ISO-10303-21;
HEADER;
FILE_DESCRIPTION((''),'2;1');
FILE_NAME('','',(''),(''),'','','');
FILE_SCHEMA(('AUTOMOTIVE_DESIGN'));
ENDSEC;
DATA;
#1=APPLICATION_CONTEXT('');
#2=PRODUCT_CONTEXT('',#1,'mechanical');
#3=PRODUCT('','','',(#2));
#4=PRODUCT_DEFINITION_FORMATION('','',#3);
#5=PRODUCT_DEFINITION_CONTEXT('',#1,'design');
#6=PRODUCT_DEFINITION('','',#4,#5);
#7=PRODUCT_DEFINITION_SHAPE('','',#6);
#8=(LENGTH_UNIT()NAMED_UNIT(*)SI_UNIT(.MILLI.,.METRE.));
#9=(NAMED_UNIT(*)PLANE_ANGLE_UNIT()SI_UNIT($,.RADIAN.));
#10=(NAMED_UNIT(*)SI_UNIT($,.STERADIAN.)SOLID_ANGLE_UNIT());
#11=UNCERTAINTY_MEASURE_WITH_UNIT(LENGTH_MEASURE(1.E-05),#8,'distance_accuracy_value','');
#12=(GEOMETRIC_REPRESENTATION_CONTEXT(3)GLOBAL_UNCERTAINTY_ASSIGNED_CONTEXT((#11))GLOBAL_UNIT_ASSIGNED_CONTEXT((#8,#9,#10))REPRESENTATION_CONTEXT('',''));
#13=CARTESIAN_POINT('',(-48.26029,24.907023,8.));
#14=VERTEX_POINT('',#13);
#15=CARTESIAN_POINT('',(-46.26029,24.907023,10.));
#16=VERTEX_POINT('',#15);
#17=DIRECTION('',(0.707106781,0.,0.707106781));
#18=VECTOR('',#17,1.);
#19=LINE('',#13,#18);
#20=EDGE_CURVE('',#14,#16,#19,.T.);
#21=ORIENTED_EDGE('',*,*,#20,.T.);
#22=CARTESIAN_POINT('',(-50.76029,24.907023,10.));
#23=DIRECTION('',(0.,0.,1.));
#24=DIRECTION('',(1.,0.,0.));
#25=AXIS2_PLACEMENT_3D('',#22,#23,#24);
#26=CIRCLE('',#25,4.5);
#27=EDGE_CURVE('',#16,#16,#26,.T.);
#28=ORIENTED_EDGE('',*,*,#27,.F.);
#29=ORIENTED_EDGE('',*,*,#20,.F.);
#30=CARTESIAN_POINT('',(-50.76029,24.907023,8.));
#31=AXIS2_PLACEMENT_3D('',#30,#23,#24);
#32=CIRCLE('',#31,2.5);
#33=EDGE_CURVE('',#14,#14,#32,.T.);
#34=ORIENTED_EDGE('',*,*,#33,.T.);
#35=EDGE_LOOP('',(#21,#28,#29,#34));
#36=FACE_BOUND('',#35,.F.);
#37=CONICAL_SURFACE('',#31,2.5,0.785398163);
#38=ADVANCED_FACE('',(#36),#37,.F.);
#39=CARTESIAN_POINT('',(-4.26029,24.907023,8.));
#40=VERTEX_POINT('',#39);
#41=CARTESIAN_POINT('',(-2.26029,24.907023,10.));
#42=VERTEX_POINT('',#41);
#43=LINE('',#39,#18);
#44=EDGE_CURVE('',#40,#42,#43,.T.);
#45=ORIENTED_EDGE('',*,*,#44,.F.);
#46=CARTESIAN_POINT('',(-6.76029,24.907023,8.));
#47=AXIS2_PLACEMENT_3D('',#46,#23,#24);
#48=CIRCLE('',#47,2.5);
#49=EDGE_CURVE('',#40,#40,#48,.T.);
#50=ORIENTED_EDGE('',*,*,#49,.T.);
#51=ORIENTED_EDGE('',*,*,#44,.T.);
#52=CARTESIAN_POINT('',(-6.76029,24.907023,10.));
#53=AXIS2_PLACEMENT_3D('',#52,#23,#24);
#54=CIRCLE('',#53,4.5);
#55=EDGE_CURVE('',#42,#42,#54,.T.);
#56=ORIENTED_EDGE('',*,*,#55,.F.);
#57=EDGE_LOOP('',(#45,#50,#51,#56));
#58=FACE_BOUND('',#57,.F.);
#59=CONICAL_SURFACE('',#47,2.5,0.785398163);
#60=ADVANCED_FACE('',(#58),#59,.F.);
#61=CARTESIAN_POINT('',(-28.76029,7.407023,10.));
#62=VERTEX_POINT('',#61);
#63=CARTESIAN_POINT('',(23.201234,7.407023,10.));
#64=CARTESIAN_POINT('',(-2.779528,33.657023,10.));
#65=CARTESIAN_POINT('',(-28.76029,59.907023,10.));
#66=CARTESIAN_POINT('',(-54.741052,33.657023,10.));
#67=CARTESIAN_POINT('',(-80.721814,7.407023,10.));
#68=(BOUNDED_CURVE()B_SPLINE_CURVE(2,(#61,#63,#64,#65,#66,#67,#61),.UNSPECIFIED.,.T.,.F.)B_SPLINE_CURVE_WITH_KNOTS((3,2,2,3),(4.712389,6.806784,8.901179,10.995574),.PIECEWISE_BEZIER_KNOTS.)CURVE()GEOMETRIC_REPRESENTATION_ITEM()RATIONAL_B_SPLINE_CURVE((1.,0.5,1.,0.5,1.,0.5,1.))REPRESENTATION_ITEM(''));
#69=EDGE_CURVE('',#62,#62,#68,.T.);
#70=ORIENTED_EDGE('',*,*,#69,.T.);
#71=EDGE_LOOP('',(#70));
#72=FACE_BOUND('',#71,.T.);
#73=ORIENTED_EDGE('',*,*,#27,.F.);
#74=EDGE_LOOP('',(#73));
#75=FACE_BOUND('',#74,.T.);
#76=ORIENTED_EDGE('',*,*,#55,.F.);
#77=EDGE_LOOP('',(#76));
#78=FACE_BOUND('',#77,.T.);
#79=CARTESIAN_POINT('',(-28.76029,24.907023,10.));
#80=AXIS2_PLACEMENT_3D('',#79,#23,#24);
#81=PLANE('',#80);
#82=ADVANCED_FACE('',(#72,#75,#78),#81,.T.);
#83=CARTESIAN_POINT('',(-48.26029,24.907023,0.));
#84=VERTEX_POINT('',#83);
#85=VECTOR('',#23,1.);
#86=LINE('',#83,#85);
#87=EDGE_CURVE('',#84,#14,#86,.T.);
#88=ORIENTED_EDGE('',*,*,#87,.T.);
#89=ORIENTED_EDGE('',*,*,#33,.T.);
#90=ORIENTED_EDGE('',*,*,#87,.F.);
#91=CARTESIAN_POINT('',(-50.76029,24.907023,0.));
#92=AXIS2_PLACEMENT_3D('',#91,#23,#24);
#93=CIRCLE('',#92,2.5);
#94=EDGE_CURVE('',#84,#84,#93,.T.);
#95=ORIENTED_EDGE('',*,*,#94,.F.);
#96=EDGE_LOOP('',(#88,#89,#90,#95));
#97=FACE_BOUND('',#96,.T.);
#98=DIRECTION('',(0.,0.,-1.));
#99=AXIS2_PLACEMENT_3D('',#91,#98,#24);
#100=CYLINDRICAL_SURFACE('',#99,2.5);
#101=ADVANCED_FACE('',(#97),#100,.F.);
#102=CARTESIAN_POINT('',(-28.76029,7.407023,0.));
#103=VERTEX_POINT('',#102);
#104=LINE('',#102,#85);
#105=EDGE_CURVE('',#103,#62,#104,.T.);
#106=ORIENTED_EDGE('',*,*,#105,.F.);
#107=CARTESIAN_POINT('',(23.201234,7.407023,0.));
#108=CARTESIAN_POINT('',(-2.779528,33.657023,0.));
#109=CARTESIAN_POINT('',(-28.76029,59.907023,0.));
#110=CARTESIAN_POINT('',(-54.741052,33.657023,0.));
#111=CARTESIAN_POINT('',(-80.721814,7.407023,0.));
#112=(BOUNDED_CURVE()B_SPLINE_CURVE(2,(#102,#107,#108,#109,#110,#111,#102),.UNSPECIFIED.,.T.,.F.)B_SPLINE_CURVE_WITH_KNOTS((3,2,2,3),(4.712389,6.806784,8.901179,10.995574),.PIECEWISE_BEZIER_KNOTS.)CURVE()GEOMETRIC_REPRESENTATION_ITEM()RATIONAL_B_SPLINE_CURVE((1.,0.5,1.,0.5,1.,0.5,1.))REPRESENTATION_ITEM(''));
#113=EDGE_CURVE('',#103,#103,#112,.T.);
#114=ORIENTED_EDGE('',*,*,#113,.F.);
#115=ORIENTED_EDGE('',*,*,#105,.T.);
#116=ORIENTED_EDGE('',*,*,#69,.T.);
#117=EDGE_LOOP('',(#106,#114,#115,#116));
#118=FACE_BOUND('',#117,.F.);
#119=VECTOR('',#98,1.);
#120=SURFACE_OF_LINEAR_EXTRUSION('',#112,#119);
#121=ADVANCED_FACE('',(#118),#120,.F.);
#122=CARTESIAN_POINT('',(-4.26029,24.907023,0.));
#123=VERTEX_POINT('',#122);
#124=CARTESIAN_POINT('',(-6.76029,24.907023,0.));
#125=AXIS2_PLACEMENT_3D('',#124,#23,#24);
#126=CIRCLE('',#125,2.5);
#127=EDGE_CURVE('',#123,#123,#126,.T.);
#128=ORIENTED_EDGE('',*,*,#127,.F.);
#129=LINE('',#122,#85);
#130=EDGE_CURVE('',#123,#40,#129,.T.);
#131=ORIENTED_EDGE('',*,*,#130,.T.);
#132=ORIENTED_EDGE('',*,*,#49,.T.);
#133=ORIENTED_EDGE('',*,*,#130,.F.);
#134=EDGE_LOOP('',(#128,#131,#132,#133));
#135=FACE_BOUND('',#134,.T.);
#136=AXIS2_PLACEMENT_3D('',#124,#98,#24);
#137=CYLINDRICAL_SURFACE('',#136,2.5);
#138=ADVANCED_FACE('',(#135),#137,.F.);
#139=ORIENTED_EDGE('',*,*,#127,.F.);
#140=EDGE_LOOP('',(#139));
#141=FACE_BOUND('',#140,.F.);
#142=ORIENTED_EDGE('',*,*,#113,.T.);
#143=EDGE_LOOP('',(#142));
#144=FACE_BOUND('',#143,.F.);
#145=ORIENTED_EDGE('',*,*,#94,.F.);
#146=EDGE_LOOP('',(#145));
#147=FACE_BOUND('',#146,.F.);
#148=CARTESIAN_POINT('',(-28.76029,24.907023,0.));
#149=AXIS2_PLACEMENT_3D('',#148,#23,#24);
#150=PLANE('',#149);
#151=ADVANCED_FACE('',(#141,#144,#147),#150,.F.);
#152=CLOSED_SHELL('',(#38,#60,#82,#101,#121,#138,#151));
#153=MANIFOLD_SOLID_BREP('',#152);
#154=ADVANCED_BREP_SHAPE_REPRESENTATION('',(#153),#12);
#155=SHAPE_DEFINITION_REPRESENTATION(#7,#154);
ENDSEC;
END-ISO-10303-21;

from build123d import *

# Parameters (mm, degrees)
F0_R     = 2.5
F1_DEPTH = 10
F2_SIZE  = 2


with BuildPart() as f1:
    # F0 (on Top) → F1 (new body)
    with BuildSketch(Plane.XY):
        with BuildLine():
            add(Edge.make_bspline(
                [(-28.76029, 7.407023), (23.201234, 7.407023), (-2.779528, 33.657023), (-28.76029, 59.907023), (-54.741052, 33.657023), (-80.721814, 7.407023), (-28.76029, 7.407023)],
                knots=[4.712389, 4.712389, 4.712389, 6.806784, 6.806784, 8.901179, 8.901179, 10.995574, 10.995574, 10.995574], degree=2, weights=[1, 0.5, 1, 0.5, 1, 0.5, 1]))
        make_face()
        with Locations((-50.76029, 24.907023)):
            Circle(F0_R, mode=Mode.SUBTRACT)
        with Locations((-6.76029, 24.907023)):
            Circle(F0_R, mode=Mode.SUBTRACT)
    extrude(amount=F1_DEPTH)

    # F2
    f2_edges = [f1.edges().sort_by_distance(p)[0] for p in [
        (-53.26029, 24.907023, 10),
        (-9.26029, 24.907023, 10),
    ]]
    chamfer(f2_edges, length=F2_SIZE)


solid = f1.part
